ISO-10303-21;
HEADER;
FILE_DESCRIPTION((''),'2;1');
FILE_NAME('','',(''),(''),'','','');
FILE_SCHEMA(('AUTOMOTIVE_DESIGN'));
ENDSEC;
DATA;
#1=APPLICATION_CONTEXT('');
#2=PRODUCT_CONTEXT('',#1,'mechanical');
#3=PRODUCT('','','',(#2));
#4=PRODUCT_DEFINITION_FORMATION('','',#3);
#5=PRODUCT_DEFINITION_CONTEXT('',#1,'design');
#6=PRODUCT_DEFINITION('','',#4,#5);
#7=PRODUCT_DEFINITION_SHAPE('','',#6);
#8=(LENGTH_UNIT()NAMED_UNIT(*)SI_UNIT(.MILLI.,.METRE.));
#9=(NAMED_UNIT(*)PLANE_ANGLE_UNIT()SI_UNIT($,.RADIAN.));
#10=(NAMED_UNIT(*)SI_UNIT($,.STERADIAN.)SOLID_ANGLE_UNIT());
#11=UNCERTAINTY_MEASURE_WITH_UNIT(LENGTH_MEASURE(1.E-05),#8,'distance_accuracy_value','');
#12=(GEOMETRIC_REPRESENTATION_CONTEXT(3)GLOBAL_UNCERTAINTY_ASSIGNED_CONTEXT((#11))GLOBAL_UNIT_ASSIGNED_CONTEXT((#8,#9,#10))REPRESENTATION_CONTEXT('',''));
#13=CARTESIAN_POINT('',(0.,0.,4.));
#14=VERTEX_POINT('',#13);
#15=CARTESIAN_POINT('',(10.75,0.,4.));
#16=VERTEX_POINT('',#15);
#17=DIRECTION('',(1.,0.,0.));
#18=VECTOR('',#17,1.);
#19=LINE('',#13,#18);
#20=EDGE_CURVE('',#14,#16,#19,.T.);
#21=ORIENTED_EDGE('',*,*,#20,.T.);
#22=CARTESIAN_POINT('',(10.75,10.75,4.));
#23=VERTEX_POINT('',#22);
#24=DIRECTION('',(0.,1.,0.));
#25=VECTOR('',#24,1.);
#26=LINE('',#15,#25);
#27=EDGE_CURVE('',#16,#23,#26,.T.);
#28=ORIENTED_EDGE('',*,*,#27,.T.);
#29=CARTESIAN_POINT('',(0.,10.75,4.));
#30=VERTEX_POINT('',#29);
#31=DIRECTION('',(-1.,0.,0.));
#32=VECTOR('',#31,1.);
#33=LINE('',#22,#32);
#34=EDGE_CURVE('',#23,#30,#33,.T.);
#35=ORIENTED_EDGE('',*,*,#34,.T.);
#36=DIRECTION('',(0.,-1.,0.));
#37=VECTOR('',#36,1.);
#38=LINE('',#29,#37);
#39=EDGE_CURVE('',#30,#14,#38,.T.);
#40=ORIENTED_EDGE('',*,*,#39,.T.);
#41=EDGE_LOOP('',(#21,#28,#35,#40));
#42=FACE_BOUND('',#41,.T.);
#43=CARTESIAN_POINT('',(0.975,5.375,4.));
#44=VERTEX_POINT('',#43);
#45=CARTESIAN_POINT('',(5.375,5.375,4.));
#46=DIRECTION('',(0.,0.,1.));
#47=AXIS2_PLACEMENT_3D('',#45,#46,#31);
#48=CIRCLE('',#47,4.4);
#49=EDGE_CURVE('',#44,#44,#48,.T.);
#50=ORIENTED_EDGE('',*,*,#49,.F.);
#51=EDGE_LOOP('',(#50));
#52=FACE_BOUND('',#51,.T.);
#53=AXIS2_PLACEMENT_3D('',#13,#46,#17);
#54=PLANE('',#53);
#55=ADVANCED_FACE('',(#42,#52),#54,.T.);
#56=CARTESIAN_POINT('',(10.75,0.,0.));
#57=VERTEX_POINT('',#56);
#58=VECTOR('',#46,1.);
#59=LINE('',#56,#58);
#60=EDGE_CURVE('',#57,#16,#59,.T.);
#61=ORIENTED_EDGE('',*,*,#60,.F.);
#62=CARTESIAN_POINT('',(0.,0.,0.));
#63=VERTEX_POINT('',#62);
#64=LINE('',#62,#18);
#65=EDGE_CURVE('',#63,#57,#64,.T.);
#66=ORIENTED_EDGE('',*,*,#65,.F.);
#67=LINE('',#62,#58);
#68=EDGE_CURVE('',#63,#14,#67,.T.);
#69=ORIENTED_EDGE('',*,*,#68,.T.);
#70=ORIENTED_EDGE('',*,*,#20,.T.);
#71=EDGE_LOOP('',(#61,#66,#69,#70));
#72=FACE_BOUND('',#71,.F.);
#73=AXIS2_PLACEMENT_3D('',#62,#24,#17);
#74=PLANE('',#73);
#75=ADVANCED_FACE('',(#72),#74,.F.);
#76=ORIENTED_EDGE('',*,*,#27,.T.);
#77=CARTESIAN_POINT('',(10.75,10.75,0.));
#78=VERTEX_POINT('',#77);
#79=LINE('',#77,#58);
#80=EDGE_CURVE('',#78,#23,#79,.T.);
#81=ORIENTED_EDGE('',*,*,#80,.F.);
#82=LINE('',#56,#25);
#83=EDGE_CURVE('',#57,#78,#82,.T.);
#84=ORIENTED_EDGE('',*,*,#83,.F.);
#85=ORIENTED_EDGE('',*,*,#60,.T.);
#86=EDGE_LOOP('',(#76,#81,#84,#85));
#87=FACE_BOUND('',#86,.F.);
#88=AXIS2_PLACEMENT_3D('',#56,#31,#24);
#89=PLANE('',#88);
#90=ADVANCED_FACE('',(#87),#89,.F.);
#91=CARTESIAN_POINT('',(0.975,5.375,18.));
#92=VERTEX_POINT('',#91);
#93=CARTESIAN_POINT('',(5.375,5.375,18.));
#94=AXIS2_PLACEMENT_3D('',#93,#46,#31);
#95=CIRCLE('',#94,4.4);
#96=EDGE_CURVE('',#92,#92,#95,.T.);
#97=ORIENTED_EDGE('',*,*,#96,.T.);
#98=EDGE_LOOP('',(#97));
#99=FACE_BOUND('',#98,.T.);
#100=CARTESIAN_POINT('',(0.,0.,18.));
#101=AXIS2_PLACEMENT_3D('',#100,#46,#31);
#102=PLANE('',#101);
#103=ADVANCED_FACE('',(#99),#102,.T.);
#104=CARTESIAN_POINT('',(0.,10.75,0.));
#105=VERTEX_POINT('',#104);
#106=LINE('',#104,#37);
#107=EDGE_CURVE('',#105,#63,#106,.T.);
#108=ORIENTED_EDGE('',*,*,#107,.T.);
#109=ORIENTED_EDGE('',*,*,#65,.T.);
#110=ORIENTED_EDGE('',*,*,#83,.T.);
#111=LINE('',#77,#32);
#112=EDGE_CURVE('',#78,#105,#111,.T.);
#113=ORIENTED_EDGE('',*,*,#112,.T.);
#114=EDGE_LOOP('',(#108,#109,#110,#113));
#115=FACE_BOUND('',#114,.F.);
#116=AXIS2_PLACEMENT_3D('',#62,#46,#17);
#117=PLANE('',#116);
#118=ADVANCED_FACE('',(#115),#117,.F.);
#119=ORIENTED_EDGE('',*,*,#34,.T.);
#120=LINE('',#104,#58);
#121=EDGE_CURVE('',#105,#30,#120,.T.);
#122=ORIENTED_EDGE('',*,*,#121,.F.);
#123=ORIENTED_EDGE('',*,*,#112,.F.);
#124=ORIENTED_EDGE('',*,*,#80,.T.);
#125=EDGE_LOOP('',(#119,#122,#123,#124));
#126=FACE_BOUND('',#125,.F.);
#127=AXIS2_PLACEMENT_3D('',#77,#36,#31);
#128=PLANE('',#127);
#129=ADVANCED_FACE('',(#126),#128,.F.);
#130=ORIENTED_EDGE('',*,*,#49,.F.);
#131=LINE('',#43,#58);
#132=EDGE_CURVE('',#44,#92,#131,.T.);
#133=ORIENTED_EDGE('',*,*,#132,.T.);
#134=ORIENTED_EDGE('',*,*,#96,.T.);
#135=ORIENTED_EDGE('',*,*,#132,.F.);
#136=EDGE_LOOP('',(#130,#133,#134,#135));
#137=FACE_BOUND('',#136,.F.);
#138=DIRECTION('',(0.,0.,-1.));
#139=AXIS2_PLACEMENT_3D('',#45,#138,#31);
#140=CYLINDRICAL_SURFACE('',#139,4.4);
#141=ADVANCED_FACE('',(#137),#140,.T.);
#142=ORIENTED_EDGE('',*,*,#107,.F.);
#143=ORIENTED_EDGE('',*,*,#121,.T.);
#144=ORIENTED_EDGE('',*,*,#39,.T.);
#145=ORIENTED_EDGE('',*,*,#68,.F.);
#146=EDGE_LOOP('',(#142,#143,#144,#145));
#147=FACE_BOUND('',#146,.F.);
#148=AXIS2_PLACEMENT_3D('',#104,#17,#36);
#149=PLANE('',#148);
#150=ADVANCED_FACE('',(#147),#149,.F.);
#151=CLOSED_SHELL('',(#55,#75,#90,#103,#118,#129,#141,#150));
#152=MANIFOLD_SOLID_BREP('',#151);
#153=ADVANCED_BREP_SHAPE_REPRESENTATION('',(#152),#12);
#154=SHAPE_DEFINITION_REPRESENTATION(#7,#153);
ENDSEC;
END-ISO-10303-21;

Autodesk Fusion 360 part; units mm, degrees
sketch "Sketch1" plane through (0, 0, 0) normal (0, 0, 1) x (1, 0, 0)
  line L0 (0, 0) -> (10.75, 0)
  line L1 (10.75, 0) -> (10.75, 10.75)
  line L2 (10.75, 10.75) -> (0, 10.75)
  line L3 (0, 10.75) -> (0, 0)
  dimension "d1" = 10.75
  dimension "d2" = 10.75
extrude "Extrude1" add sketch "Sketch1" along normal blind 4
sketch "Sketch2" plane through (0, 0, 4) normal (0, 0, 1) x (-1, 0, 0)
  line L0 (0, -10.75) -> (0, 0)
  line L1 (0, 0) -> (-10.75, 0)
  line L2 (-10.75, 0) -> (-10.75, -10.75)
  line L3 (-10.75, -10.75) -> (0, -10.75)
  circle A0 centre (-5.375, -5.375) radius 4.4
  dimension "d5" = 8.8
extrude "Extrude2" add sketch "Sketch2" along normal blind 14 contours A0
